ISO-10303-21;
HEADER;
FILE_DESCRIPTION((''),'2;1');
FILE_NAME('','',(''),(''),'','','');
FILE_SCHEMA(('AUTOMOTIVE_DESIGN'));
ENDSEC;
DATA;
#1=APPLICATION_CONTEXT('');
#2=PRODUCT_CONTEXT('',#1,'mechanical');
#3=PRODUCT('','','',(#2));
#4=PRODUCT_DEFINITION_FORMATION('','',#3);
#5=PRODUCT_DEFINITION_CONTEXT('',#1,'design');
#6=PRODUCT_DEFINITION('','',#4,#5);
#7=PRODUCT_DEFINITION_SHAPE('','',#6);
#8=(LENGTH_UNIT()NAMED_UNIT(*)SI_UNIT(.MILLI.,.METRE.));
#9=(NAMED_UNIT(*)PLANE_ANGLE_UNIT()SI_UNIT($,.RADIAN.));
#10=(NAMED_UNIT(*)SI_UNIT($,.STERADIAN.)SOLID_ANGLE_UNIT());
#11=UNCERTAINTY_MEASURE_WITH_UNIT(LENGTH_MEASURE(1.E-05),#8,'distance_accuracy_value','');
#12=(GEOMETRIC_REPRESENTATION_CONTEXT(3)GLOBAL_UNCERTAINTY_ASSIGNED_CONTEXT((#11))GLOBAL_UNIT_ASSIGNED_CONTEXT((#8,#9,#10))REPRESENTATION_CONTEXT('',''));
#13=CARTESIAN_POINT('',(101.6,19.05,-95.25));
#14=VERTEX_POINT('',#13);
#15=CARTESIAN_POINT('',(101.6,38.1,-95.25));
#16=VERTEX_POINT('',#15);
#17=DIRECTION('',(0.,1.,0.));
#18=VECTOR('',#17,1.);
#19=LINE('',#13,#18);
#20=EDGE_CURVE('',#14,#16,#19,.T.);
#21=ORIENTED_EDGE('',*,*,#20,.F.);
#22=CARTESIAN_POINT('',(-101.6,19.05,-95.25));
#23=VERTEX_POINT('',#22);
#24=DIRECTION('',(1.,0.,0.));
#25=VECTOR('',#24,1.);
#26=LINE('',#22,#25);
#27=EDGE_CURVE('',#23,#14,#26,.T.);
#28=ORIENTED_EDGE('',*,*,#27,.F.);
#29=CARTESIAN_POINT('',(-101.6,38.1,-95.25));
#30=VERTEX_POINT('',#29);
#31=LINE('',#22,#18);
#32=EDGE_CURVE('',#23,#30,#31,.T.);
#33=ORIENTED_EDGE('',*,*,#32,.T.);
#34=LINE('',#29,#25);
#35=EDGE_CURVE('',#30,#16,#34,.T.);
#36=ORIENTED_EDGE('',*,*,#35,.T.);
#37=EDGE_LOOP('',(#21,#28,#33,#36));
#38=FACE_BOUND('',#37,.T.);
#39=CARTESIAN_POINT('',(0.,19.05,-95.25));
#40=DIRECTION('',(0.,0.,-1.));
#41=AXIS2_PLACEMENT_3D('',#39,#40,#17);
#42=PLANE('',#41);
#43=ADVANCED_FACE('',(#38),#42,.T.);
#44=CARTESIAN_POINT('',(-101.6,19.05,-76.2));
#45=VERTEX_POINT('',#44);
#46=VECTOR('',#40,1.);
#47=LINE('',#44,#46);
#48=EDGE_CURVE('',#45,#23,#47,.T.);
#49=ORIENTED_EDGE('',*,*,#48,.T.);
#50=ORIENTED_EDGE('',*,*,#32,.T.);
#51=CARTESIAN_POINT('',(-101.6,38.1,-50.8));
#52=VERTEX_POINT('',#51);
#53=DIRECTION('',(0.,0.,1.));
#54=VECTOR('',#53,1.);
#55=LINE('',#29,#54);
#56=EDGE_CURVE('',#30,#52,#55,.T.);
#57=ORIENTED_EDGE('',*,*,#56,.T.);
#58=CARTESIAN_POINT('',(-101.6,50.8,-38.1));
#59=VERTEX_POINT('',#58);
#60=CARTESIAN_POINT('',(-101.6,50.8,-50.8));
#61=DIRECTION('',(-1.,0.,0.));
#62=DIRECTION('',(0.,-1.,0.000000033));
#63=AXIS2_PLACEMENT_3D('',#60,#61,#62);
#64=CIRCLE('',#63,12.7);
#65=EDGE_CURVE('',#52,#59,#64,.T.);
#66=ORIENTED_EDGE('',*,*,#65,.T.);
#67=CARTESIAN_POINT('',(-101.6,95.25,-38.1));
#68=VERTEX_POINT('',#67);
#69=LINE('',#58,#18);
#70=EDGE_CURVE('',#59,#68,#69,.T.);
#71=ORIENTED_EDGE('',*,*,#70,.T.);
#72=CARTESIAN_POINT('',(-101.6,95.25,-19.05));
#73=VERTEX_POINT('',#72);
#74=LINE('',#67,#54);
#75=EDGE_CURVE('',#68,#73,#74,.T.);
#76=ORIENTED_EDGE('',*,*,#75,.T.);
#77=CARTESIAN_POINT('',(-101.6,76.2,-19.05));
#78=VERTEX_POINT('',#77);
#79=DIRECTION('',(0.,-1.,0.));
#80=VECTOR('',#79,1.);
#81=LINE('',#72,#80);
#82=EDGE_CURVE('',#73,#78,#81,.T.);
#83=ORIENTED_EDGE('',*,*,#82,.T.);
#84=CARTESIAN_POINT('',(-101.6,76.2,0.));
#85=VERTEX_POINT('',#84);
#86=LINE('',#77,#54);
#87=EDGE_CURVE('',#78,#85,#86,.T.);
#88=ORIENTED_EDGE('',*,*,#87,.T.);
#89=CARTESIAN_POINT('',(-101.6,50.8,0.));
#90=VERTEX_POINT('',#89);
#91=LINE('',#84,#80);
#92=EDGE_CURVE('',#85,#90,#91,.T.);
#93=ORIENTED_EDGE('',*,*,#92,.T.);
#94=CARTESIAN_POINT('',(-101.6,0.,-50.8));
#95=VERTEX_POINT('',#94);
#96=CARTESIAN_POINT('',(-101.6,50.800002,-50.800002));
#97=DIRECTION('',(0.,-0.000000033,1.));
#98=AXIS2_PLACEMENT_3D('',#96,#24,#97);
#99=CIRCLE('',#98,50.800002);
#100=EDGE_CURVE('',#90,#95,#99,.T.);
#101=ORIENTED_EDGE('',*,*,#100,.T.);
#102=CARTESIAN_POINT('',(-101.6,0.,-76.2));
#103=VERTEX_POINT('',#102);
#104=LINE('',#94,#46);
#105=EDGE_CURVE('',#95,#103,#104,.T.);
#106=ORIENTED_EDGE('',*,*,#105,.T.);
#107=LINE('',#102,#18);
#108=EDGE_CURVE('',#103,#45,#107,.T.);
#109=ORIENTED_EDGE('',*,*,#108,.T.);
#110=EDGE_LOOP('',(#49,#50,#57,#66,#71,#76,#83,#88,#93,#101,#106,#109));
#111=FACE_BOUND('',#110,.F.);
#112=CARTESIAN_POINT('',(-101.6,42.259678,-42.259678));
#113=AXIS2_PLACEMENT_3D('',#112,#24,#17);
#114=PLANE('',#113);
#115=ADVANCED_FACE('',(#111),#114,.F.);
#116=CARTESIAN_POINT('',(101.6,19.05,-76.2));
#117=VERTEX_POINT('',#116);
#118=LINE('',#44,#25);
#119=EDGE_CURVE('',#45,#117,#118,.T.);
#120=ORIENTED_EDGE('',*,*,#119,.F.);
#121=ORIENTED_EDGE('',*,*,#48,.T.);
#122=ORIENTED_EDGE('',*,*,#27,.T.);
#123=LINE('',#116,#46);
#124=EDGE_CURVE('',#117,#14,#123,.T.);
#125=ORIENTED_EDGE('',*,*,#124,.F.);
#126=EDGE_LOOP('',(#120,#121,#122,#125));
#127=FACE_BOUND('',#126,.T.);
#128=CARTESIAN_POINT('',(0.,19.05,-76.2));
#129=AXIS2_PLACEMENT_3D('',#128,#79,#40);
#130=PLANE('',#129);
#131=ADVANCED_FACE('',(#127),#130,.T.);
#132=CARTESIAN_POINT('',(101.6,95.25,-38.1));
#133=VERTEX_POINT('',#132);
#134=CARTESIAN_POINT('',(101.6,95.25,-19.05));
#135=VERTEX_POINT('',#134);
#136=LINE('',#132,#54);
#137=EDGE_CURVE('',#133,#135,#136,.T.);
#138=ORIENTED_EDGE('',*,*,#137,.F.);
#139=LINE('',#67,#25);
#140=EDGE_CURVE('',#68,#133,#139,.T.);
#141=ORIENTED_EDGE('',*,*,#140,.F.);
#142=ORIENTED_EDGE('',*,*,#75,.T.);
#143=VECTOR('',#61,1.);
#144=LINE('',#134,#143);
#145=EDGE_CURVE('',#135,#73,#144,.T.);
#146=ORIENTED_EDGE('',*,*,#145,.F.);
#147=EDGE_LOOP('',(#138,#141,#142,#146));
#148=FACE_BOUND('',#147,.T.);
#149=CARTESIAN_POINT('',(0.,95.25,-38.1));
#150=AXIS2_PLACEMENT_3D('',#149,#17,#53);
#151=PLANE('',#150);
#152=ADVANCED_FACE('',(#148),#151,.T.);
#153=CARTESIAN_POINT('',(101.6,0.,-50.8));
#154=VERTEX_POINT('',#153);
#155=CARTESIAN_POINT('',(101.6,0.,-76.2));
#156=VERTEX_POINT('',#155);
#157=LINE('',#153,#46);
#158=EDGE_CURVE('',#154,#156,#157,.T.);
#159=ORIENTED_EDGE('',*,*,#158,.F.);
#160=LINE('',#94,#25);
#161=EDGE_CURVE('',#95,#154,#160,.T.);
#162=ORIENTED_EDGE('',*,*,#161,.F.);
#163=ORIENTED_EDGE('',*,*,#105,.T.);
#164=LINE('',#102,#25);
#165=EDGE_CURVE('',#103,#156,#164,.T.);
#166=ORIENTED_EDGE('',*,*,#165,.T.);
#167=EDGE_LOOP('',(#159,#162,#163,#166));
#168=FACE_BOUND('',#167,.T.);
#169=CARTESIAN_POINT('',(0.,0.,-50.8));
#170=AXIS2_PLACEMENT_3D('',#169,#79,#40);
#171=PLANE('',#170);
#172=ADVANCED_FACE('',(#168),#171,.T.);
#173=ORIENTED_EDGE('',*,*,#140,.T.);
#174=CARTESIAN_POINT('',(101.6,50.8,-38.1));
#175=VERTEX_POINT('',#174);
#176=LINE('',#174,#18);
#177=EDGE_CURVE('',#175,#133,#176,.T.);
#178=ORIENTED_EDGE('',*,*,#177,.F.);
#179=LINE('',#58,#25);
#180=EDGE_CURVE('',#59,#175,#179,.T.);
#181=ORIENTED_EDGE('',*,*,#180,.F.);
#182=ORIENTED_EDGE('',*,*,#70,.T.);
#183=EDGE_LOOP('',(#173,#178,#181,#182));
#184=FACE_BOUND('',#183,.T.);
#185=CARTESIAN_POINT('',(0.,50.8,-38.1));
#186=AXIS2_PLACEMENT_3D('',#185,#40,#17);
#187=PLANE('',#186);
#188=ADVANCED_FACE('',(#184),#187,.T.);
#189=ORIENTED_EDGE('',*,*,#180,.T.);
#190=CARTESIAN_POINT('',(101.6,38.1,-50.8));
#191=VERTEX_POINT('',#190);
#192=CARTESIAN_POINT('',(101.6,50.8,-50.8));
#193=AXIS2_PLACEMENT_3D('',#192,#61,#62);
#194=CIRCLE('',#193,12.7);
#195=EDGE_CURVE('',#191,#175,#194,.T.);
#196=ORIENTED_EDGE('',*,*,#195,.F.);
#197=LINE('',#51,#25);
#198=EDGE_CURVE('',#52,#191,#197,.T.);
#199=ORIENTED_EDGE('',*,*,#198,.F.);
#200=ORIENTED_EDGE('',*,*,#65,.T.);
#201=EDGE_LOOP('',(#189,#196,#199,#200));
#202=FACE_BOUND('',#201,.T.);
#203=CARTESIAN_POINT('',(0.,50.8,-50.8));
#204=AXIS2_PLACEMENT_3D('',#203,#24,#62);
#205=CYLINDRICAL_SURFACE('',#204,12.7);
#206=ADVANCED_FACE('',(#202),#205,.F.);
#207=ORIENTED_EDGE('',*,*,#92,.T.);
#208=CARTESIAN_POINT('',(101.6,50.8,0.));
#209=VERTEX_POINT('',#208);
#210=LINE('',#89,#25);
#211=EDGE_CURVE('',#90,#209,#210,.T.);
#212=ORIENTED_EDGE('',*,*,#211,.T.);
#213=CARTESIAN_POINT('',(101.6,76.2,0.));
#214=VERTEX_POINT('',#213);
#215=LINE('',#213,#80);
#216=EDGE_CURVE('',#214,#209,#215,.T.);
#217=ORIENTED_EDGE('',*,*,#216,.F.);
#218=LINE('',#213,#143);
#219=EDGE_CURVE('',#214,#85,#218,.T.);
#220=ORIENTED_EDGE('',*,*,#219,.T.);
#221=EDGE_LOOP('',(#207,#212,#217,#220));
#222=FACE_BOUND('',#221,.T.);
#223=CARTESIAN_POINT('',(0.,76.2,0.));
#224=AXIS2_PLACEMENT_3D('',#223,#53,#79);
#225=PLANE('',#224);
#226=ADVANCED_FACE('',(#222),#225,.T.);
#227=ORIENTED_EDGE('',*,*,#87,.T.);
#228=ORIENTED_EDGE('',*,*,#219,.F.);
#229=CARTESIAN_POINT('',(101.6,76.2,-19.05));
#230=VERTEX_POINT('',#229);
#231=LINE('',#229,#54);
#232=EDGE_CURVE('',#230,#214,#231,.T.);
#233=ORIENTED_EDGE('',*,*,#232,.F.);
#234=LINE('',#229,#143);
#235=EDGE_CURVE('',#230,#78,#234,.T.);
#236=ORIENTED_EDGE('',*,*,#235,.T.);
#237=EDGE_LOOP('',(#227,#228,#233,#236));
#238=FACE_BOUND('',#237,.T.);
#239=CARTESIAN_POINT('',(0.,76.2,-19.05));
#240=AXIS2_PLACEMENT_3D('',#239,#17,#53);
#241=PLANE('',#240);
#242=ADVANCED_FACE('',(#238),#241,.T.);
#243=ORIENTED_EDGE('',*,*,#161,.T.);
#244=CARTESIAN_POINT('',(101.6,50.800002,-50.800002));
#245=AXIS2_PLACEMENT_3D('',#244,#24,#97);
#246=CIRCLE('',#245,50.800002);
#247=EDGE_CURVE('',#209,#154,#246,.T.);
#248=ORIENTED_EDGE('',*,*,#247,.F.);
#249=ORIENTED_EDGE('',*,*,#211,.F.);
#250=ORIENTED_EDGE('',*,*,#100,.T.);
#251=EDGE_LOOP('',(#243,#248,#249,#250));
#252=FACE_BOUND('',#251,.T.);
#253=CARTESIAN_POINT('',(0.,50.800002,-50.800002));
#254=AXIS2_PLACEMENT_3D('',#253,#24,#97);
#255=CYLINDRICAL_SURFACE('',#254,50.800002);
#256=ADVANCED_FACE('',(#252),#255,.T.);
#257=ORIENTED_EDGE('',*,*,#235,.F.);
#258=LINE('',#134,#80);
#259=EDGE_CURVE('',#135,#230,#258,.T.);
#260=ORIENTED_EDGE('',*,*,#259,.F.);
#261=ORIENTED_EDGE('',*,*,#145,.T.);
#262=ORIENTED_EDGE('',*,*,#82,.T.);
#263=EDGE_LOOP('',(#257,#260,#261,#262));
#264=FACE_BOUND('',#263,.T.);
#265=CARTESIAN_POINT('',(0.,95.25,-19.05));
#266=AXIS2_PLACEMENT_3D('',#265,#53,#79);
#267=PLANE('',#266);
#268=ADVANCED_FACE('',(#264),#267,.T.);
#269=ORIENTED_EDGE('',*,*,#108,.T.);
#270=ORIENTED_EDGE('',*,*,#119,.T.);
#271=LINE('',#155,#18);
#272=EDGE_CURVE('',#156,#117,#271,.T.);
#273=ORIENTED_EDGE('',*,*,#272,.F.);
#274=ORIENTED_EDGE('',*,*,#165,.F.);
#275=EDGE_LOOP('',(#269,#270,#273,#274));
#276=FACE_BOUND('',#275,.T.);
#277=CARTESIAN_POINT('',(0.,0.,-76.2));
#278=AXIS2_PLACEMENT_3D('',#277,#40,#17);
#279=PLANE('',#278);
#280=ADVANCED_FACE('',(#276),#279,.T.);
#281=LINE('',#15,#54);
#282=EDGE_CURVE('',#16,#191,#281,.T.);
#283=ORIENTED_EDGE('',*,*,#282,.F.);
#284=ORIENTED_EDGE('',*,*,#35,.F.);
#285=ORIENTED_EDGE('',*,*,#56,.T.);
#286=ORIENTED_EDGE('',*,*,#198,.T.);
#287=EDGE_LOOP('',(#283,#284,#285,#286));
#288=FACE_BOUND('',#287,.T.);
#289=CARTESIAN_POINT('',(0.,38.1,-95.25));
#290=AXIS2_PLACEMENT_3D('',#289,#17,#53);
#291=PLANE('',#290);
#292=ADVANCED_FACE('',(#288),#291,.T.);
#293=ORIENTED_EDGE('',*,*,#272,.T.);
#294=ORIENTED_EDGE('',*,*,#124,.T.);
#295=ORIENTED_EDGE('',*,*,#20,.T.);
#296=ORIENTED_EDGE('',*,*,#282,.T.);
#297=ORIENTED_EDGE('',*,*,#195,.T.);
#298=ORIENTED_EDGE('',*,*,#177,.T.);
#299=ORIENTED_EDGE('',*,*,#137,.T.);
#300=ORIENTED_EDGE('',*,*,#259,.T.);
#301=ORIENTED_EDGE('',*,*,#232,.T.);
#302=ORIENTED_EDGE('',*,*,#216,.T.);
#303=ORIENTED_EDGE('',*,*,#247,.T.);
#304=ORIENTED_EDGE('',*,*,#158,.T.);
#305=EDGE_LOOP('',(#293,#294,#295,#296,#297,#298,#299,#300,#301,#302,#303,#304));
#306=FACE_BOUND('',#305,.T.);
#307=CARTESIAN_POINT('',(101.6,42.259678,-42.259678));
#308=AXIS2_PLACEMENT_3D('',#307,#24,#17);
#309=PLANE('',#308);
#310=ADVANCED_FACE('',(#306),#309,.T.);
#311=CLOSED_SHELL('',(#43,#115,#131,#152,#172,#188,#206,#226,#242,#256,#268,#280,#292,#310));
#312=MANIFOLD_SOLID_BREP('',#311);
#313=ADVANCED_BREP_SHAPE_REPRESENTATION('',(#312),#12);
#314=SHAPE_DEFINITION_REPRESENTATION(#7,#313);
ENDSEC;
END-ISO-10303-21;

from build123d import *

# Parameters (mm, degrees)
F1_DEPTH = 101.6


with BuildPart() as f1:
    # F0 (on Right) → F1 (new body, symmetric)
    with BuildSketch(Plane.YZ):
        with BuildLine():
            Line((76.2, 0), (50.8, 0))
            ThreePointArc((50.8, 0), (14.878976, -14.878976), (0, -50.8))
            Line((0, -50.8), (0, -76.2))
            Line((0, -76.2), (19.05, -76.2))
            Line((19.05, -76.2), (19.05, -95.25))
            Line((19.05, -95.25), (38.1, -95.25))
            Line((38.1, -95.25), (38.1, -50.8))
            ThreePointArc((38.1, -50.8), (41.819744, -41.819744), (50.8, -38.1))
            Line((50.8, -38.1), (95.25, -38.1))
            Line((95.25, -38.1), (95.25, -19.05))
            Line((95.25, -19.05), (76.2, -19.05))
            Line((76.2, -19.05), (76.2, 0))
        make_face()
    extrude(amount=F1_DEPTH, both=True)


solid = f1.part
